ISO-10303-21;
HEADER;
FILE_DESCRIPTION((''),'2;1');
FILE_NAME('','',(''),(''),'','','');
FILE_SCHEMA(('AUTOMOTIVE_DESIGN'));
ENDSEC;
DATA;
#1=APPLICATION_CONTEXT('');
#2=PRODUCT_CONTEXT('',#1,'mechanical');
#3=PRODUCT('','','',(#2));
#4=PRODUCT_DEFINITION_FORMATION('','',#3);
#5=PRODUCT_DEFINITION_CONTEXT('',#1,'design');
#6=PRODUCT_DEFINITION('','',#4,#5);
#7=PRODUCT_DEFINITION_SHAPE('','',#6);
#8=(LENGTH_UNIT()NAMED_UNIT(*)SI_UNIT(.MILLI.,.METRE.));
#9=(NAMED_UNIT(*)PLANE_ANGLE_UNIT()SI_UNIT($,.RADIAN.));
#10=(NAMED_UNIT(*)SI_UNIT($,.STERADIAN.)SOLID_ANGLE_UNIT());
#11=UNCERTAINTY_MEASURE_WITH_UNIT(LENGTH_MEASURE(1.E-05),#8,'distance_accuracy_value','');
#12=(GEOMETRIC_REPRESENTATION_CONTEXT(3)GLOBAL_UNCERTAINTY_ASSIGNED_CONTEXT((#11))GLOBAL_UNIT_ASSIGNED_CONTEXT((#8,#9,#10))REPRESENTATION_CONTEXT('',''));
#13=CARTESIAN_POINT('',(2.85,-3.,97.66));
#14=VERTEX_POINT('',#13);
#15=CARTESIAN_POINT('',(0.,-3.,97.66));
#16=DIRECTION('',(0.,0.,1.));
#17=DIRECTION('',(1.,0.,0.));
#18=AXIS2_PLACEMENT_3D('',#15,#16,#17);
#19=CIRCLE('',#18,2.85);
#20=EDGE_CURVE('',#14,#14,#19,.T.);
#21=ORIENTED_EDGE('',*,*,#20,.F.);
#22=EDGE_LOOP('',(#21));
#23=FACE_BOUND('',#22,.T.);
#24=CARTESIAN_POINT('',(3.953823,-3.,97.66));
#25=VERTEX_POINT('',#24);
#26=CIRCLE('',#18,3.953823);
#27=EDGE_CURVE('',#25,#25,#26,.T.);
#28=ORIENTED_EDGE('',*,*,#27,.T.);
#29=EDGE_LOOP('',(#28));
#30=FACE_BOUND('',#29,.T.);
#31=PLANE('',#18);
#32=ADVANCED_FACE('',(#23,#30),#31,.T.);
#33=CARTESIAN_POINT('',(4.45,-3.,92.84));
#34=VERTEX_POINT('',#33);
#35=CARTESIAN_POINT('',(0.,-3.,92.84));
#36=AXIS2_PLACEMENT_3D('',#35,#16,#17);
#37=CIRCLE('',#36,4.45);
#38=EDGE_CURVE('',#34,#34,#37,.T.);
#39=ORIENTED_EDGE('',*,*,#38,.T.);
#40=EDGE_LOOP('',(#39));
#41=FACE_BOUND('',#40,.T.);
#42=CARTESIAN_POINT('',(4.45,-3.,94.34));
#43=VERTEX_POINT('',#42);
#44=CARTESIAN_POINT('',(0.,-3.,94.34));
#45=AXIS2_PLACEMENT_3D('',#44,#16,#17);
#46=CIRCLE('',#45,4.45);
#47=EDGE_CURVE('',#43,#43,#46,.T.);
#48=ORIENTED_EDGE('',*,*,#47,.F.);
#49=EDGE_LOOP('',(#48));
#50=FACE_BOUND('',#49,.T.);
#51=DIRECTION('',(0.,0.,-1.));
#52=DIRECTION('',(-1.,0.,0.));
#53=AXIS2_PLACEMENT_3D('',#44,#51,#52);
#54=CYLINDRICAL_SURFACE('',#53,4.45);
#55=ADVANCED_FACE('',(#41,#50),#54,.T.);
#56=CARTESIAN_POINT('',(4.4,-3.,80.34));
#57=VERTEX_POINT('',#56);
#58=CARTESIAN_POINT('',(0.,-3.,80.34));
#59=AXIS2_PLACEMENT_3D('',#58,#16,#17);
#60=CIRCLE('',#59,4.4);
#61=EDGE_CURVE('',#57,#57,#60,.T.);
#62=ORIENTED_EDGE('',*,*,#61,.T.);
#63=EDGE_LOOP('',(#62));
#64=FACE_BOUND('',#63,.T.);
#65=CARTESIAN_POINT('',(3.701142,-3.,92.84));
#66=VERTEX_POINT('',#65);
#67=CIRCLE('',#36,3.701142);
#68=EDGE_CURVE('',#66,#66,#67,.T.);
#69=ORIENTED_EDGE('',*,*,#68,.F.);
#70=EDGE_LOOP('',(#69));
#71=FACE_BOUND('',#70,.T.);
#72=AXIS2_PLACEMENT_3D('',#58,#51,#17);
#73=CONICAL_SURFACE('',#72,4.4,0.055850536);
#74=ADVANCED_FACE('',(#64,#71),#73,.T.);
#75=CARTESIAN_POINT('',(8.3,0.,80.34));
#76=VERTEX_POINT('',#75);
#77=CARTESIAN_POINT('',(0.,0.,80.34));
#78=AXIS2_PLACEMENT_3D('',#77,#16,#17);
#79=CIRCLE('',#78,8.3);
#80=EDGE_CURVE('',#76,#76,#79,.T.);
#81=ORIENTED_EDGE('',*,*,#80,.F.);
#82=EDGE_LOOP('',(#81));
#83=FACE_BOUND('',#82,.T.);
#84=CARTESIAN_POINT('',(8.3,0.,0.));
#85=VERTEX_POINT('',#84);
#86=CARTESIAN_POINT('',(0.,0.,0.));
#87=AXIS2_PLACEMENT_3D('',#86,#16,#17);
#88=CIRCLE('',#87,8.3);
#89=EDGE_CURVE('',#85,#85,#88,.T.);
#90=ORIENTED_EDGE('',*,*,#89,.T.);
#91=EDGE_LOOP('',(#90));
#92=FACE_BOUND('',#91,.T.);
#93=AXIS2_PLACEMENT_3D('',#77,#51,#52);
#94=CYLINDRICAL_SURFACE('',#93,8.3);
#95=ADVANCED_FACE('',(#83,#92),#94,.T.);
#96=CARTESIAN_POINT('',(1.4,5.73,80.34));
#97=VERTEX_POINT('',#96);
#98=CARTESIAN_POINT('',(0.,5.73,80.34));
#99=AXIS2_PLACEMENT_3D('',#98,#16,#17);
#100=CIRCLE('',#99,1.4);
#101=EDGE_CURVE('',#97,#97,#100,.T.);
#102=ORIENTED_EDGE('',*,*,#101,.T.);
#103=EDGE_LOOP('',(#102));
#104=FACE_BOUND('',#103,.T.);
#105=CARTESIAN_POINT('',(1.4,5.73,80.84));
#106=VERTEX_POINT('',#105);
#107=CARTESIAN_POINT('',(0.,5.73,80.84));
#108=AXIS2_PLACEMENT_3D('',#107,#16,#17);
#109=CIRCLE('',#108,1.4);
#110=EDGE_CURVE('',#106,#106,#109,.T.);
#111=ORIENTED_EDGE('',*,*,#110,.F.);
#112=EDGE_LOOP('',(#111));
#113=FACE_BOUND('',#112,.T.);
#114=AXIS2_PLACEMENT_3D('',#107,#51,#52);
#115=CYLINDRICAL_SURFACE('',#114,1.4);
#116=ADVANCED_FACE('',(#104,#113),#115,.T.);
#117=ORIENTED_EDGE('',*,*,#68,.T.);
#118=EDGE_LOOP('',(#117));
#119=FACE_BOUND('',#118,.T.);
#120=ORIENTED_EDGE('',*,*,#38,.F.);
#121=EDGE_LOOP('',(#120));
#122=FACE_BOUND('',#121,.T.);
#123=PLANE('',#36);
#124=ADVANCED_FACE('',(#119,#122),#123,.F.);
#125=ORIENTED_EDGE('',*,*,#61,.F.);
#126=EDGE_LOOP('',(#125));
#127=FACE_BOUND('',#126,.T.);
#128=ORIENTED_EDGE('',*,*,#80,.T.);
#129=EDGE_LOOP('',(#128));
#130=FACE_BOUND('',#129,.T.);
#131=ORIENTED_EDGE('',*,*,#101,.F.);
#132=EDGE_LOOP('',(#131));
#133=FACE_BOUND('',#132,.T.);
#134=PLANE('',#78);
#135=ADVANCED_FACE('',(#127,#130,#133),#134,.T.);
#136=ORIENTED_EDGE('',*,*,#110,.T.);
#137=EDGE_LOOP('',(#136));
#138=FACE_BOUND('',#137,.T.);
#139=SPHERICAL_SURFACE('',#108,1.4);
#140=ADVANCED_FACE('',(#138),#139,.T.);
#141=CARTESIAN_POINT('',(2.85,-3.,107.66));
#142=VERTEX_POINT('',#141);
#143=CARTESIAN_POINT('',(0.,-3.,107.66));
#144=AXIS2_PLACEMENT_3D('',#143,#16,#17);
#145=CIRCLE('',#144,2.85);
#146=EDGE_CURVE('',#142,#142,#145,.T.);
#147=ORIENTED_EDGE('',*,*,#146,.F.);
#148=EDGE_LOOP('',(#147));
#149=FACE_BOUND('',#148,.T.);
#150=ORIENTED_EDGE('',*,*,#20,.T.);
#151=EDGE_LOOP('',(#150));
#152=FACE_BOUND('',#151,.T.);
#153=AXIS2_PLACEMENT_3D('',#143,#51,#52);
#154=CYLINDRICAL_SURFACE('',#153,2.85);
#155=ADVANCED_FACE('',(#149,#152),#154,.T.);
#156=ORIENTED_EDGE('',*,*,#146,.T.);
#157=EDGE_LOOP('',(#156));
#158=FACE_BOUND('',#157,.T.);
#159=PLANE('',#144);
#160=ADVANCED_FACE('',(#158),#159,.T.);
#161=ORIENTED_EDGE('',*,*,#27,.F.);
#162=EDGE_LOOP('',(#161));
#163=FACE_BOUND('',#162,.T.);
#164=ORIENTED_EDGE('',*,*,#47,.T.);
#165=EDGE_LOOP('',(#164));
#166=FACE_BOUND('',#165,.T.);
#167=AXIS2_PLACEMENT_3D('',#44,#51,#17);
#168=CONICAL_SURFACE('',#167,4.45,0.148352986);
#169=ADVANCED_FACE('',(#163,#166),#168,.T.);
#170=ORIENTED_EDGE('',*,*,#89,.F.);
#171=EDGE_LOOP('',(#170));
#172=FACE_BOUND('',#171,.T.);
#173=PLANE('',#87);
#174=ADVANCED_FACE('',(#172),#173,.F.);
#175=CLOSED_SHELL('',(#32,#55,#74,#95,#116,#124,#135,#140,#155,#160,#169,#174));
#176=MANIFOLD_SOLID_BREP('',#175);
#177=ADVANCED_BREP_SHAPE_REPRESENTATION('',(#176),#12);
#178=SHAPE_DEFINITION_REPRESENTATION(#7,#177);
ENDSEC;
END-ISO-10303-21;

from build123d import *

# Parameters (mm, degrees)
SKETCH1_R           = 8.3
BOSS_EXTRUDE1_DEPTH = 80.34
SKETCH2_R           = 1.4
BOSS_EXTRUDE2_DEPTH = 0.5
DOME1_FACE_RADIUS   = 1.4
DOME1_HEIGHT        = 1.4
SKETCH3_R           = 4.4
BOSS_EXTRUDE3_DEPTH = 12.5
BOSS_EXTRUDE3_TAPER = 3.2
SKETCH4_R           = 4.45
BOSS_EXTRUDE4_DEPTH = 1.5
SKETCH5_R           = 4.45
BOSS_EXTRUDE5_DEPTH = 3.32
BOSS_EXTRUDE5_TAPER = 8.5
SKETCH6_R           = 2.85
BOSS_EXTRUDE6_DEPTH = 10


with BuildPart() as part:
    # Sketch1 → Boss-Extrude1 (new body)
    with BuildSketch(Plane.XY):
        Circle(SKETCH1_R)
    extrude(amount=BOSS_EXTRUDE1_DEPTH)

    # Sketch2 → Boss-Extrude2 (add)
    with BuildSketch(Plane.XY.offset(80.34)):
        with Locations((0, 5.73)):
            Circle(SKETCH2_R)
    extrude(amount=BOSS_EXTRUDE2_DEPTH)

    # Dome1: a dome of height H over a round flat face of radius A is a cap of a sphere of radius (A * A + H * H) / (2 * H)
    dome1_r = (DOME1_FACE_RADIUS * DOME1_FACE_RADIUS + DOME1_HEIGHT * DOME1_HEIGHT) / (2 * DOME1_HEIGHT)
    dome1_base = Plane((0, 5.73, 80.84), z_dir=(0, 0, 1))
    with Locations(dome1_base.offset(DOME1_HEIGHT - dome1_r)):
        dome1_ball = Sphere(dome1_r, mode=Mode.PRIVATE)
    add(split(dome1_ball, bisect_by=dome1_base, keep=Keep.TOP, mode=Mode.PRIVATE))

    # Sketch3 → Boss-Extrude3 (add)
    with BuildSketch(Plane.XY.offset(80.34)):
        with Locations((0, -3)):
            Circle(SKETCH3_R)
    extrude(amount=BOSS_EXTRUDE3_DEPTH, taper=BOSS_EXTRUDE3_TAPER)

    # Sketch4 → Boss-Extrude4 (add)
    with BuildSketch(Plane.XY.offset(92.84)):
        with Locations((0, -3)):
            Circle(SKETCH4_R)
    extrude(amount=BOSS_EXTRUDE4_DEPTH)

    # Sketch5 → Boss-Extrude5 (add)
    with BuildSketch(Plane.XY.offset(94.34)):
        with Locations((0, -3)):
            Circle(SKETCH5_R)
    extrude(amount=BOSS_EXTRUDE5_DEPTH, taper=BOSS_EXTRUDE5_TAPER)

    # Sketch6 → Boss-Extrude6 (add)
    with BuildSketch(Plane.XY.offset(97.66)):
        with Locations((0, -3)):
            Circle(SKETCH6_R)
    extrude(amount=BOSS_EXTRUDE6_DEPTH)


solid = part.part
